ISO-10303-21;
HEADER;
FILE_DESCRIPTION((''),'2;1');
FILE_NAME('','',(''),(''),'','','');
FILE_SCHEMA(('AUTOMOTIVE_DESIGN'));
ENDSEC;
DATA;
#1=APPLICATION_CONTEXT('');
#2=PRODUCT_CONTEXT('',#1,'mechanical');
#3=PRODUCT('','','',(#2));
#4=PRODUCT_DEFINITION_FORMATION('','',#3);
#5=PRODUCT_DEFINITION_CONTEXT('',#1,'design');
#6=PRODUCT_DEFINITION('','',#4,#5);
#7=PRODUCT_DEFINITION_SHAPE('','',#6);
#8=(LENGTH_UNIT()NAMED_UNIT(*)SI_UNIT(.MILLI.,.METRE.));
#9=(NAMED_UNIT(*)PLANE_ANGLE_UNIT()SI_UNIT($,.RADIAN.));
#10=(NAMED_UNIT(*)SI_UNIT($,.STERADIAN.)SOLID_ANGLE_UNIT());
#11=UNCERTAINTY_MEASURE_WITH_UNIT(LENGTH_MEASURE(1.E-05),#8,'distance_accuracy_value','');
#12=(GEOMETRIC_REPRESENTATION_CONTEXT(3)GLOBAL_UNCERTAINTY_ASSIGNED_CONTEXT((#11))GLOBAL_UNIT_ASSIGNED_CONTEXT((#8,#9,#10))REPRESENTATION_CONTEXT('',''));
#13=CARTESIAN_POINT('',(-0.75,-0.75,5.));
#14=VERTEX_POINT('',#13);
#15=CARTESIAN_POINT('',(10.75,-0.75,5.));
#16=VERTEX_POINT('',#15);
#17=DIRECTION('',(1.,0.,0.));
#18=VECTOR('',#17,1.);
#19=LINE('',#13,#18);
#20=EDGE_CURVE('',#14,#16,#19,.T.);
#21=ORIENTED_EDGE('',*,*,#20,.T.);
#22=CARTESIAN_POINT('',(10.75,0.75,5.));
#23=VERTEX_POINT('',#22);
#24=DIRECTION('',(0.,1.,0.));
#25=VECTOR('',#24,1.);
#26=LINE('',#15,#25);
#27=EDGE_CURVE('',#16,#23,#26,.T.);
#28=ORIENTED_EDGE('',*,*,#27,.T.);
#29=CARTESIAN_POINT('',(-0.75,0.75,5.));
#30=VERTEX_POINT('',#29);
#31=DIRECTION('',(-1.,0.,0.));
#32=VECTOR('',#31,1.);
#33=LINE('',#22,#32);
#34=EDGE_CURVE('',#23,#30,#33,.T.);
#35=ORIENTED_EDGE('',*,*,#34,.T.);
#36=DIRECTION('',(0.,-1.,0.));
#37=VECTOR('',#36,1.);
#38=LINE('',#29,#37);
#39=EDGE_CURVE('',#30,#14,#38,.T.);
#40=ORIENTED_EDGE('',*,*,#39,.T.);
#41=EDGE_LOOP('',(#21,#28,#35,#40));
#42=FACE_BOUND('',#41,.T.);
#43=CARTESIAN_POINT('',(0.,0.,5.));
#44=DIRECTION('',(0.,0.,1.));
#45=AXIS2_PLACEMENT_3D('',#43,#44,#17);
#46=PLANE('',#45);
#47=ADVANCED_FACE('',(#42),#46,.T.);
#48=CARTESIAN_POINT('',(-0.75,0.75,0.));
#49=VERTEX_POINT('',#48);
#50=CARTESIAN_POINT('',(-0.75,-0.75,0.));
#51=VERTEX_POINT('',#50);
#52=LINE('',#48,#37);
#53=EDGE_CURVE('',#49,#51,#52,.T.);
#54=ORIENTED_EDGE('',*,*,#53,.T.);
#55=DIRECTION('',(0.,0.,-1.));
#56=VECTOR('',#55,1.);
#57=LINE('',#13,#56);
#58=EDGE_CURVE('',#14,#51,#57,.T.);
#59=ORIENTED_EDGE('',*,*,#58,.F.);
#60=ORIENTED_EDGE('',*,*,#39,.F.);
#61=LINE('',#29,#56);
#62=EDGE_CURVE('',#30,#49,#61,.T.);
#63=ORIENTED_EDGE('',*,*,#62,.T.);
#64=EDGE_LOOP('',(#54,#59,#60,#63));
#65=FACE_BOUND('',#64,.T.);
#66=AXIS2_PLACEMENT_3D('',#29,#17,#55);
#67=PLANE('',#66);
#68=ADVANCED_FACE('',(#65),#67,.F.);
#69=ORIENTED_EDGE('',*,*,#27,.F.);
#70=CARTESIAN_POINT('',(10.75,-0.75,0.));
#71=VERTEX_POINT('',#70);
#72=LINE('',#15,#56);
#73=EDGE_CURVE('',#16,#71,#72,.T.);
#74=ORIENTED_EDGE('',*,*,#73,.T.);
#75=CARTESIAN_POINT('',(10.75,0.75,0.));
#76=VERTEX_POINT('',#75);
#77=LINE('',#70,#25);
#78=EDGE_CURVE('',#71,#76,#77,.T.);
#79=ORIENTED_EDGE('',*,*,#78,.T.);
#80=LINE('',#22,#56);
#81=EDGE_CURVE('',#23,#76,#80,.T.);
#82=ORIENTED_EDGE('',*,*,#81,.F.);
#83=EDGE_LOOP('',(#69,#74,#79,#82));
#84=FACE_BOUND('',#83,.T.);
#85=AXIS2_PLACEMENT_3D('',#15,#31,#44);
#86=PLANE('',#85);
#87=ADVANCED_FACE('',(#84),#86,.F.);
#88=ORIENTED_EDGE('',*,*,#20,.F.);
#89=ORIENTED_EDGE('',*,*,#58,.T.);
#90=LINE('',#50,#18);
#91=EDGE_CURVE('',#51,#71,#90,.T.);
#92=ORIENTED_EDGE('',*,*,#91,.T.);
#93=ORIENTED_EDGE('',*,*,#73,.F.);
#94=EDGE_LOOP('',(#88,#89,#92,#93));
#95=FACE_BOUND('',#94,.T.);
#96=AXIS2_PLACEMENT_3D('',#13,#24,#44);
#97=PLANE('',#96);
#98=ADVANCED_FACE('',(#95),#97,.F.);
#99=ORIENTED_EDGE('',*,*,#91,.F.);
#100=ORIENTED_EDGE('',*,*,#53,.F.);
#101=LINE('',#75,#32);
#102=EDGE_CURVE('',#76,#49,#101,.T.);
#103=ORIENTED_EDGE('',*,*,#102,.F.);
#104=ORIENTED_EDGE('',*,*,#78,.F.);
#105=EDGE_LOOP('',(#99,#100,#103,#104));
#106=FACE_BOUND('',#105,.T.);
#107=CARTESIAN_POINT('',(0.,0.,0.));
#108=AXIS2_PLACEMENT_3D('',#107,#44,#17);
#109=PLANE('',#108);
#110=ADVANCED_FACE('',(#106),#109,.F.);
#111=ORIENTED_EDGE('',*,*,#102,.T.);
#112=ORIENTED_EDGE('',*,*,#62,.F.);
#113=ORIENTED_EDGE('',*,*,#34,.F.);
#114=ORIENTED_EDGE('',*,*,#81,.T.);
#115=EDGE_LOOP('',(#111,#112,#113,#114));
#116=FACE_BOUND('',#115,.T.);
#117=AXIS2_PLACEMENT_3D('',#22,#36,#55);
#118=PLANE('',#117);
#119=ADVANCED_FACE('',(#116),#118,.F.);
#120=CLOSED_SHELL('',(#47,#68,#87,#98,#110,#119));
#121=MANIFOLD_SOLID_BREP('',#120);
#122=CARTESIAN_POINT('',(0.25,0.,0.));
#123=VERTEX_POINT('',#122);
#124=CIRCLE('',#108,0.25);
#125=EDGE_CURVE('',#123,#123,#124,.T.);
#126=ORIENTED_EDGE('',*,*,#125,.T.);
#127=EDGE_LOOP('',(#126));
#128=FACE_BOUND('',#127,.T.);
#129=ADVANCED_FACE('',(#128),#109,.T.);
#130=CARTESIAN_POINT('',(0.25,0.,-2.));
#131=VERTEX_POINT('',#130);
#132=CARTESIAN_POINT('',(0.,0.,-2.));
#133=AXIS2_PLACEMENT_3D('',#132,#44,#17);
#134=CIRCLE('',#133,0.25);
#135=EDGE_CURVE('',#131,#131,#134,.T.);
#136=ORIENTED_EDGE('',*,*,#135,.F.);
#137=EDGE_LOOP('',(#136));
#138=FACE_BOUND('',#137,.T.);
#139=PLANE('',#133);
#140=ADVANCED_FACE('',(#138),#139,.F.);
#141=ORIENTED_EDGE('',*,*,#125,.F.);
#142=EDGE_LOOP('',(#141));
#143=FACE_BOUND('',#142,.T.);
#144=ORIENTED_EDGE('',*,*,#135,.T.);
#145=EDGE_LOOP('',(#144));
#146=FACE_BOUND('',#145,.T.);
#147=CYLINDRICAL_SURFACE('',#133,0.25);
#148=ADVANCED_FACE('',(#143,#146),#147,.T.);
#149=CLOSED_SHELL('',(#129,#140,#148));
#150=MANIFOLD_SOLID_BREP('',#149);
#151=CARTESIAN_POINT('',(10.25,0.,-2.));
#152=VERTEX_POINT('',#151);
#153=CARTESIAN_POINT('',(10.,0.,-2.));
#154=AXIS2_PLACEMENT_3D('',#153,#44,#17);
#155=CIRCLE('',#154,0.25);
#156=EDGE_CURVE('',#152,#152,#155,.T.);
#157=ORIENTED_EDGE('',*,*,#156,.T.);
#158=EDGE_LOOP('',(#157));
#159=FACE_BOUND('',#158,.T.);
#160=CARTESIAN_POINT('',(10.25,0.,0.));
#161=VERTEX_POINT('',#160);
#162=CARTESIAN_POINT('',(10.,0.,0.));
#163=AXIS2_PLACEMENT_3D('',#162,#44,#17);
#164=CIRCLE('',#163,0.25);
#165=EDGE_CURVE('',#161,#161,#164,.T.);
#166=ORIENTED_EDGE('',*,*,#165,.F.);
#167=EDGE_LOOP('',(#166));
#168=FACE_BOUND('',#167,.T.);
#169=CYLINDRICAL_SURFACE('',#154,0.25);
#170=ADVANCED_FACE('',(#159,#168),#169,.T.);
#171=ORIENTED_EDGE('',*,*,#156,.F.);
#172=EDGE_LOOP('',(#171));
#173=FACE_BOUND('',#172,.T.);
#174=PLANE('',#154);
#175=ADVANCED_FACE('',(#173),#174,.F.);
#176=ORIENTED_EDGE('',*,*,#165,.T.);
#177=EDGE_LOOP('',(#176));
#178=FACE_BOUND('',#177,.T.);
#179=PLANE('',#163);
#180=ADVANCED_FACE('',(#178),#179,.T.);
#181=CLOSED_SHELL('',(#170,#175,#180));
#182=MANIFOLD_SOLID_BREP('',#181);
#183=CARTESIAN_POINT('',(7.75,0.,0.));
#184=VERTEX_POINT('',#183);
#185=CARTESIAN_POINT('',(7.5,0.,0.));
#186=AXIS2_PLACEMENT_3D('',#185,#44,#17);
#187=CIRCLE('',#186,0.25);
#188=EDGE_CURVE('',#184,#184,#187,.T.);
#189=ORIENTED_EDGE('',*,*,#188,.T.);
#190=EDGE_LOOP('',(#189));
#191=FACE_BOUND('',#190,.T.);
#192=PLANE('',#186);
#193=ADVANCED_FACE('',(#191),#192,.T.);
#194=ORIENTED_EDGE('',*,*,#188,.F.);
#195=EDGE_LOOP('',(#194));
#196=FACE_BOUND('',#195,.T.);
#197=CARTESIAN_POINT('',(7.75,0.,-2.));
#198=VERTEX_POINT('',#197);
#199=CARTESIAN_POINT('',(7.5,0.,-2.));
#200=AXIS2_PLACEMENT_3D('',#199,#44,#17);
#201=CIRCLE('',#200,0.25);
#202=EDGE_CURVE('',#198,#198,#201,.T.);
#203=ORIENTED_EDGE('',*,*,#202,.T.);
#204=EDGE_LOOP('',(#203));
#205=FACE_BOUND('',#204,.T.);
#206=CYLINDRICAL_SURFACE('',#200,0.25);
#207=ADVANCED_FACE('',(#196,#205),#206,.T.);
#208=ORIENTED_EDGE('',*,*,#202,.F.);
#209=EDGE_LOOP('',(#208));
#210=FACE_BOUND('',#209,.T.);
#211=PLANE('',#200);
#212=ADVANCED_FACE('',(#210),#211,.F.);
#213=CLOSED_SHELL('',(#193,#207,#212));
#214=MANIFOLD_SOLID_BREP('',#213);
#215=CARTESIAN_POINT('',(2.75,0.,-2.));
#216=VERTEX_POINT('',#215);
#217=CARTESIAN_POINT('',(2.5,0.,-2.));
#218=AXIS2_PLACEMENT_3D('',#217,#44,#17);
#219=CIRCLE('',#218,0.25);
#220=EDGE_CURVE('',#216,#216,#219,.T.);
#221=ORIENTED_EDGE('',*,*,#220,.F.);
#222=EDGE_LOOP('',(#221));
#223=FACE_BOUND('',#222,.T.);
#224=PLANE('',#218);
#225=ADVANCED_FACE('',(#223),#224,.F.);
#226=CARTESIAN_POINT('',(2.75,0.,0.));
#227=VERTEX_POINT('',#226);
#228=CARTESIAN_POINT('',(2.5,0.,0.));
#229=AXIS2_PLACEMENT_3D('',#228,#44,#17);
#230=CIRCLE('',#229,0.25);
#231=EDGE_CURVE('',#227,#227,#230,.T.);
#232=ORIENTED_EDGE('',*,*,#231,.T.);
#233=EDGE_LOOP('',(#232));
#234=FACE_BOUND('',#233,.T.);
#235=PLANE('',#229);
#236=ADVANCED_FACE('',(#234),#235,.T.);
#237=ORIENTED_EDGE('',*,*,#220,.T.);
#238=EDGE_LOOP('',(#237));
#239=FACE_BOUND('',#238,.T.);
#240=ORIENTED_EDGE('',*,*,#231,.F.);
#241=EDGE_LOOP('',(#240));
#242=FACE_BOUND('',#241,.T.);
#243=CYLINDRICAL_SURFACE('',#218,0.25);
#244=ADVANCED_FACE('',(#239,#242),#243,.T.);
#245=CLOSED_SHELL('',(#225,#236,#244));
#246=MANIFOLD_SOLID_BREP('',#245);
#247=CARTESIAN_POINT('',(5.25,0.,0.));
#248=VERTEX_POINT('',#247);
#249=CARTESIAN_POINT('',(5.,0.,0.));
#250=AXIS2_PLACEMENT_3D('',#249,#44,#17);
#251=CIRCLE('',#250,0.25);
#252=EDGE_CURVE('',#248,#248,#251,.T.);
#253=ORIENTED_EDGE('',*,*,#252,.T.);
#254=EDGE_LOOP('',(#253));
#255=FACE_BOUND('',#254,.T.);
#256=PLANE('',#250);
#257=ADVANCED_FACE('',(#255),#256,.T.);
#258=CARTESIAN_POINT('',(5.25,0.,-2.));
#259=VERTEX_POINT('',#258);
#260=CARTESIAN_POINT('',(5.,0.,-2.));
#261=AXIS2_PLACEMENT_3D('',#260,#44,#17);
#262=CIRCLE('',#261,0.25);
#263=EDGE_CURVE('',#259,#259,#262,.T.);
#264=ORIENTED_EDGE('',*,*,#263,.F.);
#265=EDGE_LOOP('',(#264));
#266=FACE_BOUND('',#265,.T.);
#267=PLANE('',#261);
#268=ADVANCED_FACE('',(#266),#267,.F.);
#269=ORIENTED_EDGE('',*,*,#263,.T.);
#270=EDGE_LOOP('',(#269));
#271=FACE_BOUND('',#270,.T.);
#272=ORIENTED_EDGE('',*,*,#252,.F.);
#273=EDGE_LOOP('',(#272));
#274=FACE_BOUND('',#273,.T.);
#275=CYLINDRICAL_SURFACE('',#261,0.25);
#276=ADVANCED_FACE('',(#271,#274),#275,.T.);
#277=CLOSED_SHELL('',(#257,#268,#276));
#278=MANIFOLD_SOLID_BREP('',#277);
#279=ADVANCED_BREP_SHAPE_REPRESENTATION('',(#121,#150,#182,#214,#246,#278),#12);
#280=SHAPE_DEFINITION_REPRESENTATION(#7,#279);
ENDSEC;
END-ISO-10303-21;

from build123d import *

# Parameters (mm, degrees)
SKETCH1_W               = 11.5
SKETCH1_H               = 1.5
COMPONENT_OUTLINE_DEPTH = 5
SKETCH2_R               = 0.25
EXTRUDE_1_DEPTH         = 2
SKETCH3_R               = 0.25
EXTRUDE_2_DEPTH         = 2
SKETCH4_R               = 0.25
EXTRUDE_3_DEPTH         = 2
SKETCH5_R               = 0.25
EXTRUDE_4_DEPTH         = 2
SKETCH6_R               = 0.25
EXTRUDE_5_DEPTH         = 2


with BuildPart() as part:
    # Sketch1 → Component_Outline (new body)
    with BuildSketch(Plane.XY):
        with Locations((5, 0)):
            Rectangle(SKETCH1_W, SKETCH1_H)
    extrude(amount=COMPONENT_OUTLINE_DEPTH)


with BuildPart() as body_2:
    # Sketch2 → Extrude 1 (new body)
    with BuildSketch(Plane.XY):
        Circle(SKETCH2_R)
    extrude(amount=-EXTRUDE_1_DEPTH)


with BuildPart() as body_3:
    # Sketch3 → Extrude 2 (new body)
    with BuildSketch(Plane.XY):
        with Locations((2.5, 0)):
            Circle(SKETCH3_R)
    extrude(amount=-EXTRUDE_2_DEPTH)


with BuildPart() as body_4:
    # Sketch4 → Extrude 3 (new body)
    with BuildSketch(Plane.XY):
        with Locations((5, 0)):
            Circle(SKETCH4_R)
    extrude(amount=-EXTRUDE_3_DEPTH)


with BuildPart() as body_5:
    # Sketch5 → Extrude 4 (new body)
    with BuildSketch(Plane.XY):
        with Locations((7.5, 0)):
            Circle(SKETCH5_R)
    extrude(amount=-EXTRUDE_4_DEPTH)


with BuildPart() as body_6:
    # Sketch6 → Extrude 5 (new body)
    with BuildSketch(Plane.XY):
        with Locations((10, 0)):
            Circle(SKETCH6_R)
    extrude(amount=-EXTRUDE_5_DEPTH)


solid = Compound([part.part, body_2.part, body_3.part, body_4.part, body_5.part, body_6.part])
